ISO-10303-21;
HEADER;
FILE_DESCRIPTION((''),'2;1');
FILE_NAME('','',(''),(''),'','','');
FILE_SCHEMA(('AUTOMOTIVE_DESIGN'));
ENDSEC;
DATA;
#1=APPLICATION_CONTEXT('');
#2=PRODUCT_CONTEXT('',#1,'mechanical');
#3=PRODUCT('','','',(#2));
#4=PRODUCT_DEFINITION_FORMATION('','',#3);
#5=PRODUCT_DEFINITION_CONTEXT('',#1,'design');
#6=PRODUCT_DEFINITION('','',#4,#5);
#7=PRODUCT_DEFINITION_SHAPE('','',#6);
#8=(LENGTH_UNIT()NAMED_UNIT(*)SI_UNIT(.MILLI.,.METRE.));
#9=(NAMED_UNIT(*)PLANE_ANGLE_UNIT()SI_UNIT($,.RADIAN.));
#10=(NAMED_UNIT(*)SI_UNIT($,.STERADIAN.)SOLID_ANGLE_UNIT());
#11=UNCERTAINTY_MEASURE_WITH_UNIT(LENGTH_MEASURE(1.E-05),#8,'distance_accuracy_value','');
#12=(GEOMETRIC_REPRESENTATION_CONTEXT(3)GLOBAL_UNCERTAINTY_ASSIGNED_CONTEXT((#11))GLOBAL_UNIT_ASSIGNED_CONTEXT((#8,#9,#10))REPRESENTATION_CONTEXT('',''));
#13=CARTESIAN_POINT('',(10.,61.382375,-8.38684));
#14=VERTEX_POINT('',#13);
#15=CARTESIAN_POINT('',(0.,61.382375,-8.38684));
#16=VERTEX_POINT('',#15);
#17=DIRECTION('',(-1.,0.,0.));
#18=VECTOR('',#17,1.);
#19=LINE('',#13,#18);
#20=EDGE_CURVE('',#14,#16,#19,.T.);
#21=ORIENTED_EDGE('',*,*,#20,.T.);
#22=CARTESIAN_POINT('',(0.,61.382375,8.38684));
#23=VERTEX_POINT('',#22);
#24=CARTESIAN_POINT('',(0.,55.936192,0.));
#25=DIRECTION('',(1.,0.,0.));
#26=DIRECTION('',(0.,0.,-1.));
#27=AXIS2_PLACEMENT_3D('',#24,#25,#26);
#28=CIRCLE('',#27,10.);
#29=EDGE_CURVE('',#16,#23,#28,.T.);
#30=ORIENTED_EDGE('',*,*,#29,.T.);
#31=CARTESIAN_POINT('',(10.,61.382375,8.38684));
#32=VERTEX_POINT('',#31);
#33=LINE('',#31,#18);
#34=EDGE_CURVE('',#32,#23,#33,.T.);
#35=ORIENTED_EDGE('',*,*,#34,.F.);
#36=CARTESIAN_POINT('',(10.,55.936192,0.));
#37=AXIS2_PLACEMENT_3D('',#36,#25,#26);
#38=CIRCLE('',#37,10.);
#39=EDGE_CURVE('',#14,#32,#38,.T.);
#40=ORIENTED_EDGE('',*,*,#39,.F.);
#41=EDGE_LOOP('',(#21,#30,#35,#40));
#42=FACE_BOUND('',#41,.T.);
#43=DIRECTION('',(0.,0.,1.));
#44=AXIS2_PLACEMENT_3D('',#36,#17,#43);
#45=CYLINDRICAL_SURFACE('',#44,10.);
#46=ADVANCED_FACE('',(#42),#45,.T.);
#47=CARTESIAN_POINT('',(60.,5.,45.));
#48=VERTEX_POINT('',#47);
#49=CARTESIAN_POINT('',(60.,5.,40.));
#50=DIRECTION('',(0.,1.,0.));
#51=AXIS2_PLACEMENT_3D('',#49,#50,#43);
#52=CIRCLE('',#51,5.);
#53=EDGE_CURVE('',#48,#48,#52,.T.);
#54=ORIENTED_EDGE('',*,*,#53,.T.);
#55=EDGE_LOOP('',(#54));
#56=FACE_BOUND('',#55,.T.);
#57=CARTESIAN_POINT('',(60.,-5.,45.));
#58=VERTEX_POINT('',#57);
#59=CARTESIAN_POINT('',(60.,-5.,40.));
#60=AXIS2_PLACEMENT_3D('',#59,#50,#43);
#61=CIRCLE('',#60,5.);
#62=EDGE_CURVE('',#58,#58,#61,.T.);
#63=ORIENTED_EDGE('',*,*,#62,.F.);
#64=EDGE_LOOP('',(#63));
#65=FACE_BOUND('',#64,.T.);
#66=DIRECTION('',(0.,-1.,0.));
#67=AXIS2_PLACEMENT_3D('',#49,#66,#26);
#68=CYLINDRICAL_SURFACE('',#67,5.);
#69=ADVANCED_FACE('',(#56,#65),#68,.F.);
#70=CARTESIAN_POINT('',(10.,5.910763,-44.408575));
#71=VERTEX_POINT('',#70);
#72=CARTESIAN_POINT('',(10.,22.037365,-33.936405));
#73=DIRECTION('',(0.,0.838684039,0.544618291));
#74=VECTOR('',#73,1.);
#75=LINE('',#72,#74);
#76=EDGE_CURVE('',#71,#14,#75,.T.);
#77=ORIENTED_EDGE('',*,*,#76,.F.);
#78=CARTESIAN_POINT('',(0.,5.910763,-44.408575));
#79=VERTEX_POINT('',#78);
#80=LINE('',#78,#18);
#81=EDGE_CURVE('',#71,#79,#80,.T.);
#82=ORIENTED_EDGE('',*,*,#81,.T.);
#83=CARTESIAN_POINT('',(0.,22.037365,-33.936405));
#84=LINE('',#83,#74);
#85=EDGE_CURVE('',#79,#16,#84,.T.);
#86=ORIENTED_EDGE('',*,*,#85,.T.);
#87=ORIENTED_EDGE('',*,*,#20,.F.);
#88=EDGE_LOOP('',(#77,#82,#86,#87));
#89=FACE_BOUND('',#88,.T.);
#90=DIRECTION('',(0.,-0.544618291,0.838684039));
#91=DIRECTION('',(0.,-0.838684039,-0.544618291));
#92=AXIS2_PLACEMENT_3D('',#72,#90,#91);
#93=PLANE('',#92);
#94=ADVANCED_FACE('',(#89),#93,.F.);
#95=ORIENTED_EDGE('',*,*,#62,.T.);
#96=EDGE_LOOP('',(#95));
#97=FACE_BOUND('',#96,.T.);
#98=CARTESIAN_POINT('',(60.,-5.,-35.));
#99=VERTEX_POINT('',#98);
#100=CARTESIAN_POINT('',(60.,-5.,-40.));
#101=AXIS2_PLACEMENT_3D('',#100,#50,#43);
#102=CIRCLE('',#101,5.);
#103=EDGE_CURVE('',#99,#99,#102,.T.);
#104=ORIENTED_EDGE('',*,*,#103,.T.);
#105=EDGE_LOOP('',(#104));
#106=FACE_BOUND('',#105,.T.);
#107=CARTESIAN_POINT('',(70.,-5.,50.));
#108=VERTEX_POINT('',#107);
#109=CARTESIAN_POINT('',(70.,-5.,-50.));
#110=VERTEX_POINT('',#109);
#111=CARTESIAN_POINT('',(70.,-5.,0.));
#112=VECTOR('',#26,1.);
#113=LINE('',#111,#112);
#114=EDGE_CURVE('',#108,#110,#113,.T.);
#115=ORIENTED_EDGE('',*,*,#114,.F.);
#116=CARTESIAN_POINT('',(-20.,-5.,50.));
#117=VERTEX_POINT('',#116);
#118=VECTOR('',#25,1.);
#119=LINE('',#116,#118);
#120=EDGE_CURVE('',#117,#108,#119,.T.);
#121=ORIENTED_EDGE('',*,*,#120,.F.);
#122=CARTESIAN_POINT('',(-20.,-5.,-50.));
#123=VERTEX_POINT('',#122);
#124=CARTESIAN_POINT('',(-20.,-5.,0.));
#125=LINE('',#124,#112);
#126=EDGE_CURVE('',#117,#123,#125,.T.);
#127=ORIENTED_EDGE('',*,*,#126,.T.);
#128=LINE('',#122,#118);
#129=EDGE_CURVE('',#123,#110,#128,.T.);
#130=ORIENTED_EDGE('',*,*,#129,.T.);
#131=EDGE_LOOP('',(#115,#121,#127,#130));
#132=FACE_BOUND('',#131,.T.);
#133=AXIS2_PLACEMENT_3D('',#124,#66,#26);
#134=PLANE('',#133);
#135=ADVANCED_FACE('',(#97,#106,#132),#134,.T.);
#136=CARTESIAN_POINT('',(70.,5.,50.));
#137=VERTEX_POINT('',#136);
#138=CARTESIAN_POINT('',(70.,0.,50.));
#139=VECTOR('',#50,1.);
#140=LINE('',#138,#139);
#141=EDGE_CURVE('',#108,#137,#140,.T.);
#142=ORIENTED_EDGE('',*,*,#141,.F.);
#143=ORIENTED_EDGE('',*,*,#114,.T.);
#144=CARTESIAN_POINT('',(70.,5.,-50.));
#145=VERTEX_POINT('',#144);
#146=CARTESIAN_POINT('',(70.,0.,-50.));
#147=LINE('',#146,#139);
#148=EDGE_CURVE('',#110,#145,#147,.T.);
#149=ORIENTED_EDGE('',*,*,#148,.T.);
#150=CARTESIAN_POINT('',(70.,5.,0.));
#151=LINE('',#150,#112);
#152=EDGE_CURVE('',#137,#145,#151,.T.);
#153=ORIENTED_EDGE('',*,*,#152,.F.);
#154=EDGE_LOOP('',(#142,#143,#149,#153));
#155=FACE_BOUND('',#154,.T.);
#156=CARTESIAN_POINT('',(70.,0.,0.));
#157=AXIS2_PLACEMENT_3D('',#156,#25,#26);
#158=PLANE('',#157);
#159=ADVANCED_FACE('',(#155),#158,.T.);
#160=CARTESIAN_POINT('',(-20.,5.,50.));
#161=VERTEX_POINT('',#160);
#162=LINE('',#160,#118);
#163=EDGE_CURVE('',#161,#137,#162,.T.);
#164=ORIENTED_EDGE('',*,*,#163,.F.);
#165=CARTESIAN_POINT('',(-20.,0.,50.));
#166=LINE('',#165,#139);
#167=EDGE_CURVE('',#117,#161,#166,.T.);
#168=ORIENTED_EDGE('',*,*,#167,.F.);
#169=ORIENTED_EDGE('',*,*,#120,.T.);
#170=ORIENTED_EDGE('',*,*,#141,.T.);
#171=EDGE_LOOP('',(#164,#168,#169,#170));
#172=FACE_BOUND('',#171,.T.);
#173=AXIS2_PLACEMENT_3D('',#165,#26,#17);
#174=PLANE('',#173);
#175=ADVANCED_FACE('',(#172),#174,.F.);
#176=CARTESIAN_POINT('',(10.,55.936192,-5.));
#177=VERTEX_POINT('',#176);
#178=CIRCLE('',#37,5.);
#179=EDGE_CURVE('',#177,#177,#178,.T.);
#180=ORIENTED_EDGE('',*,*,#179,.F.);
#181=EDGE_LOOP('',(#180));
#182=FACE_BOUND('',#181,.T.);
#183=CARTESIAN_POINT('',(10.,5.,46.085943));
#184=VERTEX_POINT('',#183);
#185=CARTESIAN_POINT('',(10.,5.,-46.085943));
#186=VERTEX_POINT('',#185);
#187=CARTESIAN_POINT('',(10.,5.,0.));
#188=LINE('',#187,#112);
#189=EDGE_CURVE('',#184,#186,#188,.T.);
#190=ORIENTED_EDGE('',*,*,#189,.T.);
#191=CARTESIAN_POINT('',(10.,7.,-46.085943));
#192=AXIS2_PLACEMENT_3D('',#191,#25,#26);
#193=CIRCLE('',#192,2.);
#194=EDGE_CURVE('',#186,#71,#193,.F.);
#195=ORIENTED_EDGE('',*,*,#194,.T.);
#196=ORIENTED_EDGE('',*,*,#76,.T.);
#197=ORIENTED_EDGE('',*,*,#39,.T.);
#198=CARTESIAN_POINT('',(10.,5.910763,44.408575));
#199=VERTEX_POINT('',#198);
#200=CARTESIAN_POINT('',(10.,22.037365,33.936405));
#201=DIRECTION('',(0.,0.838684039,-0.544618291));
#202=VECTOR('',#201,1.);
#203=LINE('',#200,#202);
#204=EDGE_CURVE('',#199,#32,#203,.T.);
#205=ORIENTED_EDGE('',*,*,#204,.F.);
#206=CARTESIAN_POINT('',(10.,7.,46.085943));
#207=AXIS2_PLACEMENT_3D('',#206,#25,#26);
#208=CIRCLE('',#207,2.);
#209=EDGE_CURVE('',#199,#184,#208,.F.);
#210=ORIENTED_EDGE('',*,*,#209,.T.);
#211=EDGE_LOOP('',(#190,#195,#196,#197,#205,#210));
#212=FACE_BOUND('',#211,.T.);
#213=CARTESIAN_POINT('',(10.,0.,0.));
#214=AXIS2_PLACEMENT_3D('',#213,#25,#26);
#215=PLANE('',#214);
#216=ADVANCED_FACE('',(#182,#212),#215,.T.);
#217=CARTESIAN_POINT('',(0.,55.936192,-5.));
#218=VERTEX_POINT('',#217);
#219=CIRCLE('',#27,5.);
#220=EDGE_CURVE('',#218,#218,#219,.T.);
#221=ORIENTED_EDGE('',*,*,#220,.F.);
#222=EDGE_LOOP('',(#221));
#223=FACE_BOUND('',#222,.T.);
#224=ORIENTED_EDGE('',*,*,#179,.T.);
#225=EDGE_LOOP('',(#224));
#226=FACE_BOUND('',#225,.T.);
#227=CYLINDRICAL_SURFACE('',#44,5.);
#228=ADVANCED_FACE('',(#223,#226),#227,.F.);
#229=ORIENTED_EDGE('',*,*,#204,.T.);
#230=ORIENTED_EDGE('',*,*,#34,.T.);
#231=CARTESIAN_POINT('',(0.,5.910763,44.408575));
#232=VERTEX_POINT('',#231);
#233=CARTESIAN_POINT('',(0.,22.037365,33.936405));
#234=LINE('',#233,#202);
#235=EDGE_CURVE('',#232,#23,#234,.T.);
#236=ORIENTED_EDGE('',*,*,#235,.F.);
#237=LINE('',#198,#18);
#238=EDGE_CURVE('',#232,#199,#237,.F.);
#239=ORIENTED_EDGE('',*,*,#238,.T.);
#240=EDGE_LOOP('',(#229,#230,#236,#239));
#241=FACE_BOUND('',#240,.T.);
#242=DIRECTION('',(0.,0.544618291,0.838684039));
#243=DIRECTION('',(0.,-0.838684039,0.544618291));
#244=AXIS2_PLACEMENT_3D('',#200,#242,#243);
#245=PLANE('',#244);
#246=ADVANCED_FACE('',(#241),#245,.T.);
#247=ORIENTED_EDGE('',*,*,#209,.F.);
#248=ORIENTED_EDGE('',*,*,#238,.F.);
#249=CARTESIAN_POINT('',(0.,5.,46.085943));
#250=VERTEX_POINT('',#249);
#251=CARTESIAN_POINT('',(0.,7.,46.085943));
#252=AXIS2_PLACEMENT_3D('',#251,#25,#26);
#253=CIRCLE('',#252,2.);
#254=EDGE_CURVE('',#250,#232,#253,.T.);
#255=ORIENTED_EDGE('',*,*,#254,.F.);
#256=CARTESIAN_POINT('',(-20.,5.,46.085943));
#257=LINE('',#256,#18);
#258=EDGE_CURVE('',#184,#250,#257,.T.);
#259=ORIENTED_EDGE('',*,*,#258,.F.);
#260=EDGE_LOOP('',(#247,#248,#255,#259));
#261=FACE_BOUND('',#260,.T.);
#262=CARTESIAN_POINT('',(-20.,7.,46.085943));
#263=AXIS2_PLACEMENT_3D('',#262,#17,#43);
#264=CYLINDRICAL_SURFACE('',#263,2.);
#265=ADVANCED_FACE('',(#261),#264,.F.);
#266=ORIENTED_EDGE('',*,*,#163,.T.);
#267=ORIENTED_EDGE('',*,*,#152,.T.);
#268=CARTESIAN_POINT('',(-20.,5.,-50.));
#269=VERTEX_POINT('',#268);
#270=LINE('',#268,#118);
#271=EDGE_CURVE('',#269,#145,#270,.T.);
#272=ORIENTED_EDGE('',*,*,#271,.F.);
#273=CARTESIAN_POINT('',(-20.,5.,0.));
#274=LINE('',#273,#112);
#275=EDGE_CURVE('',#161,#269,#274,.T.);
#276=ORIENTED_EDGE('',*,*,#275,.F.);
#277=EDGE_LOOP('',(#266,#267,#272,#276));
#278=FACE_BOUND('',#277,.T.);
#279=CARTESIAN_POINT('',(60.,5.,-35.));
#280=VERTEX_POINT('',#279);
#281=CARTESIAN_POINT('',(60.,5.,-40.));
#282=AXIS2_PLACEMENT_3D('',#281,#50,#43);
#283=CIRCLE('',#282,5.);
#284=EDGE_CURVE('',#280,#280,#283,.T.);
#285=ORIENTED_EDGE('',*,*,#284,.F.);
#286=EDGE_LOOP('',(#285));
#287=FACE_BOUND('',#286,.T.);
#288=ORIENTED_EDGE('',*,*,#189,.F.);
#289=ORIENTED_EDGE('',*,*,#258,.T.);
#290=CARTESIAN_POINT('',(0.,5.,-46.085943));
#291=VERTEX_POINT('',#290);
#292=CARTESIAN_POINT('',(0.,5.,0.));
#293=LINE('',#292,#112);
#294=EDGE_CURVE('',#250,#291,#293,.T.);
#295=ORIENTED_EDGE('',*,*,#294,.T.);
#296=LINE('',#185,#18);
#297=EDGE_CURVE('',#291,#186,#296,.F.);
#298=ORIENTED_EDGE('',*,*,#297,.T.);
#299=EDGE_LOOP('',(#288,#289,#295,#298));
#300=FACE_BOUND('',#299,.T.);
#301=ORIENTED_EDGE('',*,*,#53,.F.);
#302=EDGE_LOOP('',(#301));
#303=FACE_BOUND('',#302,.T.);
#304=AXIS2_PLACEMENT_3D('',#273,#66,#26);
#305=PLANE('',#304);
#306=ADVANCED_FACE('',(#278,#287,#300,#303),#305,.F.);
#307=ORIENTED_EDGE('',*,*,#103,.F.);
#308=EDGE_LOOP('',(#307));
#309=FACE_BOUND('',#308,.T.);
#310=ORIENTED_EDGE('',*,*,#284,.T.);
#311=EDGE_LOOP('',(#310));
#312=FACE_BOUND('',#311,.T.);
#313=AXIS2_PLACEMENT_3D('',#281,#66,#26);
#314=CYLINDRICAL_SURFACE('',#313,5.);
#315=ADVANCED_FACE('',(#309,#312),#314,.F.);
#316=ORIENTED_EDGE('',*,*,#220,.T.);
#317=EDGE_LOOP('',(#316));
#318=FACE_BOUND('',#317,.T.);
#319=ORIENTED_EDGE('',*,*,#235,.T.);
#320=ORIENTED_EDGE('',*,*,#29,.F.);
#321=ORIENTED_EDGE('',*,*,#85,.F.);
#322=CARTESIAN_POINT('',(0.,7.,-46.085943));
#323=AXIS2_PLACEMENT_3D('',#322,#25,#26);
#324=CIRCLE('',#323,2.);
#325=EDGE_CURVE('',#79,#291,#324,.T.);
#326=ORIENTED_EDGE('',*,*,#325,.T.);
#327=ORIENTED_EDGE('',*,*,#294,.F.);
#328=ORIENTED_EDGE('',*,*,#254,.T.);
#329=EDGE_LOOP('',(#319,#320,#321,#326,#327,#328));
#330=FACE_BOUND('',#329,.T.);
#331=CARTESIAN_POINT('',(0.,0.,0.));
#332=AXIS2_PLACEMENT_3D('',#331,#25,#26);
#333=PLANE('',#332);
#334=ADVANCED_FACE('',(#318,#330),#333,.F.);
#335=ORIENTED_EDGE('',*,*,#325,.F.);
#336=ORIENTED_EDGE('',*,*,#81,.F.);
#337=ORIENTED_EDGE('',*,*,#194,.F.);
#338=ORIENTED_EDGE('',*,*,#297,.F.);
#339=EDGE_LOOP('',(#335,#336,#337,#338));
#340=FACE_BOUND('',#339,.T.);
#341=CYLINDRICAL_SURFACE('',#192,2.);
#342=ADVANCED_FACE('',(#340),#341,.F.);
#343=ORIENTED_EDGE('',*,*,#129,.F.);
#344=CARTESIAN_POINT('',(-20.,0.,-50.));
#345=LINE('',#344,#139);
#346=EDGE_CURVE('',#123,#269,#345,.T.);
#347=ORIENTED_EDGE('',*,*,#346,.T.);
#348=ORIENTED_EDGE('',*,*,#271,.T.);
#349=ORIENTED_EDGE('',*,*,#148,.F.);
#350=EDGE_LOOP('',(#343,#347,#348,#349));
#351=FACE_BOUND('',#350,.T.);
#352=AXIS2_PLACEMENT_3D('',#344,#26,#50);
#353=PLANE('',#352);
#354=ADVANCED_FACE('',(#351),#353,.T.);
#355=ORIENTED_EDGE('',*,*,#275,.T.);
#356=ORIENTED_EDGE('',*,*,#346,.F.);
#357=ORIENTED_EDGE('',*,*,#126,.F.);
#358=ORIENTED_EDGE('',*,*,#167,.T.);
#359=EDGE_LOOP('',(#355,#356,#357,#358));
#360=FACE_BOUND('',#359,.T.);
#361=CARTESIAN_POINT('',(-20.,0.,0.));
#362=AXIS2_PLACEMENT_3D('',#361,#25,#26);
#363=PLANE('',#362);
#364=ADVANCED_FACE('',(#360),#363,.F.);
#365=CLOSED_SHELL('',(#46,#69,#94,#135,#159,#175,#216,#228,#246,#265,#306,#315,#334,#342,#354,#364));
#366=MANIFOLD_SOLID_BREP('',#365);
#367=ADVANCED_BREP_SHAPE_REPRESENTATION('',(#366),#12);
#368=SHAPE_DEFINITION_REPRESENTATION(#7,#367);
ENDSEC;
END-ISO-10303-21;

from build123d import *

# Parameters (mm, degrees)
SKETCH2_R                = 5
BOSS_EXTRUDE1_DEPTH      = 10
BOSS_EXTRUDE2_DEPTH      = 70
BOSS_EXTRUDE2_DEPTH_BACK = 20
SKETCH3_R                = 5
CUT_EXTRUDE1_DEPTH       = 5
FILLET1_R                = 2


with BuildPart() as part:
    # Sketch2 → Boss-Extrude1 (new body)
    with BuildSketch(Plane(origin=(0, 0, 0), x_dir=(0, 0, -1), z_dir=(1, 0, 0))):
        with BuildLine():
            Line((-8.38684039, 61.382374771), (-45, 5))
            Line((-45, 5), (45, 5))
            Line((45, 5), (8.38684039, 61.382374771))
            ThreePointArc((8.38684039, 61.382374771), (0, 65.936191862), (-8.38684039, 61.382374771))
        make_face()
        with Locations((0, 55.936191862)):
            Circle(SKETCH2_R, mode=Mode.SUBTRACT)
    extrude(amount=BOSS_EXTRUDE1_DEPTH)

    # Sketch2<3> → Boss-Extrude2 (add, two sides: drawn at the far end of the back side and taken through both)
    with BuildSketch(Plane(origin=(0, 0, 0), x_dir=(0, 0, -1), z_dir=(1, 0, 0)).offset(-BOSS_EXTRUDE2_DEPTH_BACK)):
        Polygon((-50, 5), (-50, -5), (50, -5), (50, 5), (45, 5), (-45, 5), align=None)
    extrude(amount=BOSS_EXTRUDE2_DEPTH + BOSS_EXTRUDE2_DEPTH_BACK)

    # Sketch3 → Cut-Extrude1 (cut, symmetric)
    with BuildSketch(Plane(origin=(0, 0, 0), x_dir=(1, 0, 0), z_dir=(0, 1, 0))):
        with Locations((60, 40)):
            Circle(SKETCH3_R)
        with Locations((60, -40)):
            Circle(SKETCH3_R)
    extrude(amount=CUT_EXTRUDE1_DEPTH, both=True, mode=Mode.SUBTRACT)

    # Fillet1
    fillet1_edges = [part.edges().sort_by_distance(p)[0] for p in [
        (5, 5, 45),
        (5, 5, -45),
    ]]
    fillet(fillet1_edges, radius=FILLET1_R)


solid = part.part
